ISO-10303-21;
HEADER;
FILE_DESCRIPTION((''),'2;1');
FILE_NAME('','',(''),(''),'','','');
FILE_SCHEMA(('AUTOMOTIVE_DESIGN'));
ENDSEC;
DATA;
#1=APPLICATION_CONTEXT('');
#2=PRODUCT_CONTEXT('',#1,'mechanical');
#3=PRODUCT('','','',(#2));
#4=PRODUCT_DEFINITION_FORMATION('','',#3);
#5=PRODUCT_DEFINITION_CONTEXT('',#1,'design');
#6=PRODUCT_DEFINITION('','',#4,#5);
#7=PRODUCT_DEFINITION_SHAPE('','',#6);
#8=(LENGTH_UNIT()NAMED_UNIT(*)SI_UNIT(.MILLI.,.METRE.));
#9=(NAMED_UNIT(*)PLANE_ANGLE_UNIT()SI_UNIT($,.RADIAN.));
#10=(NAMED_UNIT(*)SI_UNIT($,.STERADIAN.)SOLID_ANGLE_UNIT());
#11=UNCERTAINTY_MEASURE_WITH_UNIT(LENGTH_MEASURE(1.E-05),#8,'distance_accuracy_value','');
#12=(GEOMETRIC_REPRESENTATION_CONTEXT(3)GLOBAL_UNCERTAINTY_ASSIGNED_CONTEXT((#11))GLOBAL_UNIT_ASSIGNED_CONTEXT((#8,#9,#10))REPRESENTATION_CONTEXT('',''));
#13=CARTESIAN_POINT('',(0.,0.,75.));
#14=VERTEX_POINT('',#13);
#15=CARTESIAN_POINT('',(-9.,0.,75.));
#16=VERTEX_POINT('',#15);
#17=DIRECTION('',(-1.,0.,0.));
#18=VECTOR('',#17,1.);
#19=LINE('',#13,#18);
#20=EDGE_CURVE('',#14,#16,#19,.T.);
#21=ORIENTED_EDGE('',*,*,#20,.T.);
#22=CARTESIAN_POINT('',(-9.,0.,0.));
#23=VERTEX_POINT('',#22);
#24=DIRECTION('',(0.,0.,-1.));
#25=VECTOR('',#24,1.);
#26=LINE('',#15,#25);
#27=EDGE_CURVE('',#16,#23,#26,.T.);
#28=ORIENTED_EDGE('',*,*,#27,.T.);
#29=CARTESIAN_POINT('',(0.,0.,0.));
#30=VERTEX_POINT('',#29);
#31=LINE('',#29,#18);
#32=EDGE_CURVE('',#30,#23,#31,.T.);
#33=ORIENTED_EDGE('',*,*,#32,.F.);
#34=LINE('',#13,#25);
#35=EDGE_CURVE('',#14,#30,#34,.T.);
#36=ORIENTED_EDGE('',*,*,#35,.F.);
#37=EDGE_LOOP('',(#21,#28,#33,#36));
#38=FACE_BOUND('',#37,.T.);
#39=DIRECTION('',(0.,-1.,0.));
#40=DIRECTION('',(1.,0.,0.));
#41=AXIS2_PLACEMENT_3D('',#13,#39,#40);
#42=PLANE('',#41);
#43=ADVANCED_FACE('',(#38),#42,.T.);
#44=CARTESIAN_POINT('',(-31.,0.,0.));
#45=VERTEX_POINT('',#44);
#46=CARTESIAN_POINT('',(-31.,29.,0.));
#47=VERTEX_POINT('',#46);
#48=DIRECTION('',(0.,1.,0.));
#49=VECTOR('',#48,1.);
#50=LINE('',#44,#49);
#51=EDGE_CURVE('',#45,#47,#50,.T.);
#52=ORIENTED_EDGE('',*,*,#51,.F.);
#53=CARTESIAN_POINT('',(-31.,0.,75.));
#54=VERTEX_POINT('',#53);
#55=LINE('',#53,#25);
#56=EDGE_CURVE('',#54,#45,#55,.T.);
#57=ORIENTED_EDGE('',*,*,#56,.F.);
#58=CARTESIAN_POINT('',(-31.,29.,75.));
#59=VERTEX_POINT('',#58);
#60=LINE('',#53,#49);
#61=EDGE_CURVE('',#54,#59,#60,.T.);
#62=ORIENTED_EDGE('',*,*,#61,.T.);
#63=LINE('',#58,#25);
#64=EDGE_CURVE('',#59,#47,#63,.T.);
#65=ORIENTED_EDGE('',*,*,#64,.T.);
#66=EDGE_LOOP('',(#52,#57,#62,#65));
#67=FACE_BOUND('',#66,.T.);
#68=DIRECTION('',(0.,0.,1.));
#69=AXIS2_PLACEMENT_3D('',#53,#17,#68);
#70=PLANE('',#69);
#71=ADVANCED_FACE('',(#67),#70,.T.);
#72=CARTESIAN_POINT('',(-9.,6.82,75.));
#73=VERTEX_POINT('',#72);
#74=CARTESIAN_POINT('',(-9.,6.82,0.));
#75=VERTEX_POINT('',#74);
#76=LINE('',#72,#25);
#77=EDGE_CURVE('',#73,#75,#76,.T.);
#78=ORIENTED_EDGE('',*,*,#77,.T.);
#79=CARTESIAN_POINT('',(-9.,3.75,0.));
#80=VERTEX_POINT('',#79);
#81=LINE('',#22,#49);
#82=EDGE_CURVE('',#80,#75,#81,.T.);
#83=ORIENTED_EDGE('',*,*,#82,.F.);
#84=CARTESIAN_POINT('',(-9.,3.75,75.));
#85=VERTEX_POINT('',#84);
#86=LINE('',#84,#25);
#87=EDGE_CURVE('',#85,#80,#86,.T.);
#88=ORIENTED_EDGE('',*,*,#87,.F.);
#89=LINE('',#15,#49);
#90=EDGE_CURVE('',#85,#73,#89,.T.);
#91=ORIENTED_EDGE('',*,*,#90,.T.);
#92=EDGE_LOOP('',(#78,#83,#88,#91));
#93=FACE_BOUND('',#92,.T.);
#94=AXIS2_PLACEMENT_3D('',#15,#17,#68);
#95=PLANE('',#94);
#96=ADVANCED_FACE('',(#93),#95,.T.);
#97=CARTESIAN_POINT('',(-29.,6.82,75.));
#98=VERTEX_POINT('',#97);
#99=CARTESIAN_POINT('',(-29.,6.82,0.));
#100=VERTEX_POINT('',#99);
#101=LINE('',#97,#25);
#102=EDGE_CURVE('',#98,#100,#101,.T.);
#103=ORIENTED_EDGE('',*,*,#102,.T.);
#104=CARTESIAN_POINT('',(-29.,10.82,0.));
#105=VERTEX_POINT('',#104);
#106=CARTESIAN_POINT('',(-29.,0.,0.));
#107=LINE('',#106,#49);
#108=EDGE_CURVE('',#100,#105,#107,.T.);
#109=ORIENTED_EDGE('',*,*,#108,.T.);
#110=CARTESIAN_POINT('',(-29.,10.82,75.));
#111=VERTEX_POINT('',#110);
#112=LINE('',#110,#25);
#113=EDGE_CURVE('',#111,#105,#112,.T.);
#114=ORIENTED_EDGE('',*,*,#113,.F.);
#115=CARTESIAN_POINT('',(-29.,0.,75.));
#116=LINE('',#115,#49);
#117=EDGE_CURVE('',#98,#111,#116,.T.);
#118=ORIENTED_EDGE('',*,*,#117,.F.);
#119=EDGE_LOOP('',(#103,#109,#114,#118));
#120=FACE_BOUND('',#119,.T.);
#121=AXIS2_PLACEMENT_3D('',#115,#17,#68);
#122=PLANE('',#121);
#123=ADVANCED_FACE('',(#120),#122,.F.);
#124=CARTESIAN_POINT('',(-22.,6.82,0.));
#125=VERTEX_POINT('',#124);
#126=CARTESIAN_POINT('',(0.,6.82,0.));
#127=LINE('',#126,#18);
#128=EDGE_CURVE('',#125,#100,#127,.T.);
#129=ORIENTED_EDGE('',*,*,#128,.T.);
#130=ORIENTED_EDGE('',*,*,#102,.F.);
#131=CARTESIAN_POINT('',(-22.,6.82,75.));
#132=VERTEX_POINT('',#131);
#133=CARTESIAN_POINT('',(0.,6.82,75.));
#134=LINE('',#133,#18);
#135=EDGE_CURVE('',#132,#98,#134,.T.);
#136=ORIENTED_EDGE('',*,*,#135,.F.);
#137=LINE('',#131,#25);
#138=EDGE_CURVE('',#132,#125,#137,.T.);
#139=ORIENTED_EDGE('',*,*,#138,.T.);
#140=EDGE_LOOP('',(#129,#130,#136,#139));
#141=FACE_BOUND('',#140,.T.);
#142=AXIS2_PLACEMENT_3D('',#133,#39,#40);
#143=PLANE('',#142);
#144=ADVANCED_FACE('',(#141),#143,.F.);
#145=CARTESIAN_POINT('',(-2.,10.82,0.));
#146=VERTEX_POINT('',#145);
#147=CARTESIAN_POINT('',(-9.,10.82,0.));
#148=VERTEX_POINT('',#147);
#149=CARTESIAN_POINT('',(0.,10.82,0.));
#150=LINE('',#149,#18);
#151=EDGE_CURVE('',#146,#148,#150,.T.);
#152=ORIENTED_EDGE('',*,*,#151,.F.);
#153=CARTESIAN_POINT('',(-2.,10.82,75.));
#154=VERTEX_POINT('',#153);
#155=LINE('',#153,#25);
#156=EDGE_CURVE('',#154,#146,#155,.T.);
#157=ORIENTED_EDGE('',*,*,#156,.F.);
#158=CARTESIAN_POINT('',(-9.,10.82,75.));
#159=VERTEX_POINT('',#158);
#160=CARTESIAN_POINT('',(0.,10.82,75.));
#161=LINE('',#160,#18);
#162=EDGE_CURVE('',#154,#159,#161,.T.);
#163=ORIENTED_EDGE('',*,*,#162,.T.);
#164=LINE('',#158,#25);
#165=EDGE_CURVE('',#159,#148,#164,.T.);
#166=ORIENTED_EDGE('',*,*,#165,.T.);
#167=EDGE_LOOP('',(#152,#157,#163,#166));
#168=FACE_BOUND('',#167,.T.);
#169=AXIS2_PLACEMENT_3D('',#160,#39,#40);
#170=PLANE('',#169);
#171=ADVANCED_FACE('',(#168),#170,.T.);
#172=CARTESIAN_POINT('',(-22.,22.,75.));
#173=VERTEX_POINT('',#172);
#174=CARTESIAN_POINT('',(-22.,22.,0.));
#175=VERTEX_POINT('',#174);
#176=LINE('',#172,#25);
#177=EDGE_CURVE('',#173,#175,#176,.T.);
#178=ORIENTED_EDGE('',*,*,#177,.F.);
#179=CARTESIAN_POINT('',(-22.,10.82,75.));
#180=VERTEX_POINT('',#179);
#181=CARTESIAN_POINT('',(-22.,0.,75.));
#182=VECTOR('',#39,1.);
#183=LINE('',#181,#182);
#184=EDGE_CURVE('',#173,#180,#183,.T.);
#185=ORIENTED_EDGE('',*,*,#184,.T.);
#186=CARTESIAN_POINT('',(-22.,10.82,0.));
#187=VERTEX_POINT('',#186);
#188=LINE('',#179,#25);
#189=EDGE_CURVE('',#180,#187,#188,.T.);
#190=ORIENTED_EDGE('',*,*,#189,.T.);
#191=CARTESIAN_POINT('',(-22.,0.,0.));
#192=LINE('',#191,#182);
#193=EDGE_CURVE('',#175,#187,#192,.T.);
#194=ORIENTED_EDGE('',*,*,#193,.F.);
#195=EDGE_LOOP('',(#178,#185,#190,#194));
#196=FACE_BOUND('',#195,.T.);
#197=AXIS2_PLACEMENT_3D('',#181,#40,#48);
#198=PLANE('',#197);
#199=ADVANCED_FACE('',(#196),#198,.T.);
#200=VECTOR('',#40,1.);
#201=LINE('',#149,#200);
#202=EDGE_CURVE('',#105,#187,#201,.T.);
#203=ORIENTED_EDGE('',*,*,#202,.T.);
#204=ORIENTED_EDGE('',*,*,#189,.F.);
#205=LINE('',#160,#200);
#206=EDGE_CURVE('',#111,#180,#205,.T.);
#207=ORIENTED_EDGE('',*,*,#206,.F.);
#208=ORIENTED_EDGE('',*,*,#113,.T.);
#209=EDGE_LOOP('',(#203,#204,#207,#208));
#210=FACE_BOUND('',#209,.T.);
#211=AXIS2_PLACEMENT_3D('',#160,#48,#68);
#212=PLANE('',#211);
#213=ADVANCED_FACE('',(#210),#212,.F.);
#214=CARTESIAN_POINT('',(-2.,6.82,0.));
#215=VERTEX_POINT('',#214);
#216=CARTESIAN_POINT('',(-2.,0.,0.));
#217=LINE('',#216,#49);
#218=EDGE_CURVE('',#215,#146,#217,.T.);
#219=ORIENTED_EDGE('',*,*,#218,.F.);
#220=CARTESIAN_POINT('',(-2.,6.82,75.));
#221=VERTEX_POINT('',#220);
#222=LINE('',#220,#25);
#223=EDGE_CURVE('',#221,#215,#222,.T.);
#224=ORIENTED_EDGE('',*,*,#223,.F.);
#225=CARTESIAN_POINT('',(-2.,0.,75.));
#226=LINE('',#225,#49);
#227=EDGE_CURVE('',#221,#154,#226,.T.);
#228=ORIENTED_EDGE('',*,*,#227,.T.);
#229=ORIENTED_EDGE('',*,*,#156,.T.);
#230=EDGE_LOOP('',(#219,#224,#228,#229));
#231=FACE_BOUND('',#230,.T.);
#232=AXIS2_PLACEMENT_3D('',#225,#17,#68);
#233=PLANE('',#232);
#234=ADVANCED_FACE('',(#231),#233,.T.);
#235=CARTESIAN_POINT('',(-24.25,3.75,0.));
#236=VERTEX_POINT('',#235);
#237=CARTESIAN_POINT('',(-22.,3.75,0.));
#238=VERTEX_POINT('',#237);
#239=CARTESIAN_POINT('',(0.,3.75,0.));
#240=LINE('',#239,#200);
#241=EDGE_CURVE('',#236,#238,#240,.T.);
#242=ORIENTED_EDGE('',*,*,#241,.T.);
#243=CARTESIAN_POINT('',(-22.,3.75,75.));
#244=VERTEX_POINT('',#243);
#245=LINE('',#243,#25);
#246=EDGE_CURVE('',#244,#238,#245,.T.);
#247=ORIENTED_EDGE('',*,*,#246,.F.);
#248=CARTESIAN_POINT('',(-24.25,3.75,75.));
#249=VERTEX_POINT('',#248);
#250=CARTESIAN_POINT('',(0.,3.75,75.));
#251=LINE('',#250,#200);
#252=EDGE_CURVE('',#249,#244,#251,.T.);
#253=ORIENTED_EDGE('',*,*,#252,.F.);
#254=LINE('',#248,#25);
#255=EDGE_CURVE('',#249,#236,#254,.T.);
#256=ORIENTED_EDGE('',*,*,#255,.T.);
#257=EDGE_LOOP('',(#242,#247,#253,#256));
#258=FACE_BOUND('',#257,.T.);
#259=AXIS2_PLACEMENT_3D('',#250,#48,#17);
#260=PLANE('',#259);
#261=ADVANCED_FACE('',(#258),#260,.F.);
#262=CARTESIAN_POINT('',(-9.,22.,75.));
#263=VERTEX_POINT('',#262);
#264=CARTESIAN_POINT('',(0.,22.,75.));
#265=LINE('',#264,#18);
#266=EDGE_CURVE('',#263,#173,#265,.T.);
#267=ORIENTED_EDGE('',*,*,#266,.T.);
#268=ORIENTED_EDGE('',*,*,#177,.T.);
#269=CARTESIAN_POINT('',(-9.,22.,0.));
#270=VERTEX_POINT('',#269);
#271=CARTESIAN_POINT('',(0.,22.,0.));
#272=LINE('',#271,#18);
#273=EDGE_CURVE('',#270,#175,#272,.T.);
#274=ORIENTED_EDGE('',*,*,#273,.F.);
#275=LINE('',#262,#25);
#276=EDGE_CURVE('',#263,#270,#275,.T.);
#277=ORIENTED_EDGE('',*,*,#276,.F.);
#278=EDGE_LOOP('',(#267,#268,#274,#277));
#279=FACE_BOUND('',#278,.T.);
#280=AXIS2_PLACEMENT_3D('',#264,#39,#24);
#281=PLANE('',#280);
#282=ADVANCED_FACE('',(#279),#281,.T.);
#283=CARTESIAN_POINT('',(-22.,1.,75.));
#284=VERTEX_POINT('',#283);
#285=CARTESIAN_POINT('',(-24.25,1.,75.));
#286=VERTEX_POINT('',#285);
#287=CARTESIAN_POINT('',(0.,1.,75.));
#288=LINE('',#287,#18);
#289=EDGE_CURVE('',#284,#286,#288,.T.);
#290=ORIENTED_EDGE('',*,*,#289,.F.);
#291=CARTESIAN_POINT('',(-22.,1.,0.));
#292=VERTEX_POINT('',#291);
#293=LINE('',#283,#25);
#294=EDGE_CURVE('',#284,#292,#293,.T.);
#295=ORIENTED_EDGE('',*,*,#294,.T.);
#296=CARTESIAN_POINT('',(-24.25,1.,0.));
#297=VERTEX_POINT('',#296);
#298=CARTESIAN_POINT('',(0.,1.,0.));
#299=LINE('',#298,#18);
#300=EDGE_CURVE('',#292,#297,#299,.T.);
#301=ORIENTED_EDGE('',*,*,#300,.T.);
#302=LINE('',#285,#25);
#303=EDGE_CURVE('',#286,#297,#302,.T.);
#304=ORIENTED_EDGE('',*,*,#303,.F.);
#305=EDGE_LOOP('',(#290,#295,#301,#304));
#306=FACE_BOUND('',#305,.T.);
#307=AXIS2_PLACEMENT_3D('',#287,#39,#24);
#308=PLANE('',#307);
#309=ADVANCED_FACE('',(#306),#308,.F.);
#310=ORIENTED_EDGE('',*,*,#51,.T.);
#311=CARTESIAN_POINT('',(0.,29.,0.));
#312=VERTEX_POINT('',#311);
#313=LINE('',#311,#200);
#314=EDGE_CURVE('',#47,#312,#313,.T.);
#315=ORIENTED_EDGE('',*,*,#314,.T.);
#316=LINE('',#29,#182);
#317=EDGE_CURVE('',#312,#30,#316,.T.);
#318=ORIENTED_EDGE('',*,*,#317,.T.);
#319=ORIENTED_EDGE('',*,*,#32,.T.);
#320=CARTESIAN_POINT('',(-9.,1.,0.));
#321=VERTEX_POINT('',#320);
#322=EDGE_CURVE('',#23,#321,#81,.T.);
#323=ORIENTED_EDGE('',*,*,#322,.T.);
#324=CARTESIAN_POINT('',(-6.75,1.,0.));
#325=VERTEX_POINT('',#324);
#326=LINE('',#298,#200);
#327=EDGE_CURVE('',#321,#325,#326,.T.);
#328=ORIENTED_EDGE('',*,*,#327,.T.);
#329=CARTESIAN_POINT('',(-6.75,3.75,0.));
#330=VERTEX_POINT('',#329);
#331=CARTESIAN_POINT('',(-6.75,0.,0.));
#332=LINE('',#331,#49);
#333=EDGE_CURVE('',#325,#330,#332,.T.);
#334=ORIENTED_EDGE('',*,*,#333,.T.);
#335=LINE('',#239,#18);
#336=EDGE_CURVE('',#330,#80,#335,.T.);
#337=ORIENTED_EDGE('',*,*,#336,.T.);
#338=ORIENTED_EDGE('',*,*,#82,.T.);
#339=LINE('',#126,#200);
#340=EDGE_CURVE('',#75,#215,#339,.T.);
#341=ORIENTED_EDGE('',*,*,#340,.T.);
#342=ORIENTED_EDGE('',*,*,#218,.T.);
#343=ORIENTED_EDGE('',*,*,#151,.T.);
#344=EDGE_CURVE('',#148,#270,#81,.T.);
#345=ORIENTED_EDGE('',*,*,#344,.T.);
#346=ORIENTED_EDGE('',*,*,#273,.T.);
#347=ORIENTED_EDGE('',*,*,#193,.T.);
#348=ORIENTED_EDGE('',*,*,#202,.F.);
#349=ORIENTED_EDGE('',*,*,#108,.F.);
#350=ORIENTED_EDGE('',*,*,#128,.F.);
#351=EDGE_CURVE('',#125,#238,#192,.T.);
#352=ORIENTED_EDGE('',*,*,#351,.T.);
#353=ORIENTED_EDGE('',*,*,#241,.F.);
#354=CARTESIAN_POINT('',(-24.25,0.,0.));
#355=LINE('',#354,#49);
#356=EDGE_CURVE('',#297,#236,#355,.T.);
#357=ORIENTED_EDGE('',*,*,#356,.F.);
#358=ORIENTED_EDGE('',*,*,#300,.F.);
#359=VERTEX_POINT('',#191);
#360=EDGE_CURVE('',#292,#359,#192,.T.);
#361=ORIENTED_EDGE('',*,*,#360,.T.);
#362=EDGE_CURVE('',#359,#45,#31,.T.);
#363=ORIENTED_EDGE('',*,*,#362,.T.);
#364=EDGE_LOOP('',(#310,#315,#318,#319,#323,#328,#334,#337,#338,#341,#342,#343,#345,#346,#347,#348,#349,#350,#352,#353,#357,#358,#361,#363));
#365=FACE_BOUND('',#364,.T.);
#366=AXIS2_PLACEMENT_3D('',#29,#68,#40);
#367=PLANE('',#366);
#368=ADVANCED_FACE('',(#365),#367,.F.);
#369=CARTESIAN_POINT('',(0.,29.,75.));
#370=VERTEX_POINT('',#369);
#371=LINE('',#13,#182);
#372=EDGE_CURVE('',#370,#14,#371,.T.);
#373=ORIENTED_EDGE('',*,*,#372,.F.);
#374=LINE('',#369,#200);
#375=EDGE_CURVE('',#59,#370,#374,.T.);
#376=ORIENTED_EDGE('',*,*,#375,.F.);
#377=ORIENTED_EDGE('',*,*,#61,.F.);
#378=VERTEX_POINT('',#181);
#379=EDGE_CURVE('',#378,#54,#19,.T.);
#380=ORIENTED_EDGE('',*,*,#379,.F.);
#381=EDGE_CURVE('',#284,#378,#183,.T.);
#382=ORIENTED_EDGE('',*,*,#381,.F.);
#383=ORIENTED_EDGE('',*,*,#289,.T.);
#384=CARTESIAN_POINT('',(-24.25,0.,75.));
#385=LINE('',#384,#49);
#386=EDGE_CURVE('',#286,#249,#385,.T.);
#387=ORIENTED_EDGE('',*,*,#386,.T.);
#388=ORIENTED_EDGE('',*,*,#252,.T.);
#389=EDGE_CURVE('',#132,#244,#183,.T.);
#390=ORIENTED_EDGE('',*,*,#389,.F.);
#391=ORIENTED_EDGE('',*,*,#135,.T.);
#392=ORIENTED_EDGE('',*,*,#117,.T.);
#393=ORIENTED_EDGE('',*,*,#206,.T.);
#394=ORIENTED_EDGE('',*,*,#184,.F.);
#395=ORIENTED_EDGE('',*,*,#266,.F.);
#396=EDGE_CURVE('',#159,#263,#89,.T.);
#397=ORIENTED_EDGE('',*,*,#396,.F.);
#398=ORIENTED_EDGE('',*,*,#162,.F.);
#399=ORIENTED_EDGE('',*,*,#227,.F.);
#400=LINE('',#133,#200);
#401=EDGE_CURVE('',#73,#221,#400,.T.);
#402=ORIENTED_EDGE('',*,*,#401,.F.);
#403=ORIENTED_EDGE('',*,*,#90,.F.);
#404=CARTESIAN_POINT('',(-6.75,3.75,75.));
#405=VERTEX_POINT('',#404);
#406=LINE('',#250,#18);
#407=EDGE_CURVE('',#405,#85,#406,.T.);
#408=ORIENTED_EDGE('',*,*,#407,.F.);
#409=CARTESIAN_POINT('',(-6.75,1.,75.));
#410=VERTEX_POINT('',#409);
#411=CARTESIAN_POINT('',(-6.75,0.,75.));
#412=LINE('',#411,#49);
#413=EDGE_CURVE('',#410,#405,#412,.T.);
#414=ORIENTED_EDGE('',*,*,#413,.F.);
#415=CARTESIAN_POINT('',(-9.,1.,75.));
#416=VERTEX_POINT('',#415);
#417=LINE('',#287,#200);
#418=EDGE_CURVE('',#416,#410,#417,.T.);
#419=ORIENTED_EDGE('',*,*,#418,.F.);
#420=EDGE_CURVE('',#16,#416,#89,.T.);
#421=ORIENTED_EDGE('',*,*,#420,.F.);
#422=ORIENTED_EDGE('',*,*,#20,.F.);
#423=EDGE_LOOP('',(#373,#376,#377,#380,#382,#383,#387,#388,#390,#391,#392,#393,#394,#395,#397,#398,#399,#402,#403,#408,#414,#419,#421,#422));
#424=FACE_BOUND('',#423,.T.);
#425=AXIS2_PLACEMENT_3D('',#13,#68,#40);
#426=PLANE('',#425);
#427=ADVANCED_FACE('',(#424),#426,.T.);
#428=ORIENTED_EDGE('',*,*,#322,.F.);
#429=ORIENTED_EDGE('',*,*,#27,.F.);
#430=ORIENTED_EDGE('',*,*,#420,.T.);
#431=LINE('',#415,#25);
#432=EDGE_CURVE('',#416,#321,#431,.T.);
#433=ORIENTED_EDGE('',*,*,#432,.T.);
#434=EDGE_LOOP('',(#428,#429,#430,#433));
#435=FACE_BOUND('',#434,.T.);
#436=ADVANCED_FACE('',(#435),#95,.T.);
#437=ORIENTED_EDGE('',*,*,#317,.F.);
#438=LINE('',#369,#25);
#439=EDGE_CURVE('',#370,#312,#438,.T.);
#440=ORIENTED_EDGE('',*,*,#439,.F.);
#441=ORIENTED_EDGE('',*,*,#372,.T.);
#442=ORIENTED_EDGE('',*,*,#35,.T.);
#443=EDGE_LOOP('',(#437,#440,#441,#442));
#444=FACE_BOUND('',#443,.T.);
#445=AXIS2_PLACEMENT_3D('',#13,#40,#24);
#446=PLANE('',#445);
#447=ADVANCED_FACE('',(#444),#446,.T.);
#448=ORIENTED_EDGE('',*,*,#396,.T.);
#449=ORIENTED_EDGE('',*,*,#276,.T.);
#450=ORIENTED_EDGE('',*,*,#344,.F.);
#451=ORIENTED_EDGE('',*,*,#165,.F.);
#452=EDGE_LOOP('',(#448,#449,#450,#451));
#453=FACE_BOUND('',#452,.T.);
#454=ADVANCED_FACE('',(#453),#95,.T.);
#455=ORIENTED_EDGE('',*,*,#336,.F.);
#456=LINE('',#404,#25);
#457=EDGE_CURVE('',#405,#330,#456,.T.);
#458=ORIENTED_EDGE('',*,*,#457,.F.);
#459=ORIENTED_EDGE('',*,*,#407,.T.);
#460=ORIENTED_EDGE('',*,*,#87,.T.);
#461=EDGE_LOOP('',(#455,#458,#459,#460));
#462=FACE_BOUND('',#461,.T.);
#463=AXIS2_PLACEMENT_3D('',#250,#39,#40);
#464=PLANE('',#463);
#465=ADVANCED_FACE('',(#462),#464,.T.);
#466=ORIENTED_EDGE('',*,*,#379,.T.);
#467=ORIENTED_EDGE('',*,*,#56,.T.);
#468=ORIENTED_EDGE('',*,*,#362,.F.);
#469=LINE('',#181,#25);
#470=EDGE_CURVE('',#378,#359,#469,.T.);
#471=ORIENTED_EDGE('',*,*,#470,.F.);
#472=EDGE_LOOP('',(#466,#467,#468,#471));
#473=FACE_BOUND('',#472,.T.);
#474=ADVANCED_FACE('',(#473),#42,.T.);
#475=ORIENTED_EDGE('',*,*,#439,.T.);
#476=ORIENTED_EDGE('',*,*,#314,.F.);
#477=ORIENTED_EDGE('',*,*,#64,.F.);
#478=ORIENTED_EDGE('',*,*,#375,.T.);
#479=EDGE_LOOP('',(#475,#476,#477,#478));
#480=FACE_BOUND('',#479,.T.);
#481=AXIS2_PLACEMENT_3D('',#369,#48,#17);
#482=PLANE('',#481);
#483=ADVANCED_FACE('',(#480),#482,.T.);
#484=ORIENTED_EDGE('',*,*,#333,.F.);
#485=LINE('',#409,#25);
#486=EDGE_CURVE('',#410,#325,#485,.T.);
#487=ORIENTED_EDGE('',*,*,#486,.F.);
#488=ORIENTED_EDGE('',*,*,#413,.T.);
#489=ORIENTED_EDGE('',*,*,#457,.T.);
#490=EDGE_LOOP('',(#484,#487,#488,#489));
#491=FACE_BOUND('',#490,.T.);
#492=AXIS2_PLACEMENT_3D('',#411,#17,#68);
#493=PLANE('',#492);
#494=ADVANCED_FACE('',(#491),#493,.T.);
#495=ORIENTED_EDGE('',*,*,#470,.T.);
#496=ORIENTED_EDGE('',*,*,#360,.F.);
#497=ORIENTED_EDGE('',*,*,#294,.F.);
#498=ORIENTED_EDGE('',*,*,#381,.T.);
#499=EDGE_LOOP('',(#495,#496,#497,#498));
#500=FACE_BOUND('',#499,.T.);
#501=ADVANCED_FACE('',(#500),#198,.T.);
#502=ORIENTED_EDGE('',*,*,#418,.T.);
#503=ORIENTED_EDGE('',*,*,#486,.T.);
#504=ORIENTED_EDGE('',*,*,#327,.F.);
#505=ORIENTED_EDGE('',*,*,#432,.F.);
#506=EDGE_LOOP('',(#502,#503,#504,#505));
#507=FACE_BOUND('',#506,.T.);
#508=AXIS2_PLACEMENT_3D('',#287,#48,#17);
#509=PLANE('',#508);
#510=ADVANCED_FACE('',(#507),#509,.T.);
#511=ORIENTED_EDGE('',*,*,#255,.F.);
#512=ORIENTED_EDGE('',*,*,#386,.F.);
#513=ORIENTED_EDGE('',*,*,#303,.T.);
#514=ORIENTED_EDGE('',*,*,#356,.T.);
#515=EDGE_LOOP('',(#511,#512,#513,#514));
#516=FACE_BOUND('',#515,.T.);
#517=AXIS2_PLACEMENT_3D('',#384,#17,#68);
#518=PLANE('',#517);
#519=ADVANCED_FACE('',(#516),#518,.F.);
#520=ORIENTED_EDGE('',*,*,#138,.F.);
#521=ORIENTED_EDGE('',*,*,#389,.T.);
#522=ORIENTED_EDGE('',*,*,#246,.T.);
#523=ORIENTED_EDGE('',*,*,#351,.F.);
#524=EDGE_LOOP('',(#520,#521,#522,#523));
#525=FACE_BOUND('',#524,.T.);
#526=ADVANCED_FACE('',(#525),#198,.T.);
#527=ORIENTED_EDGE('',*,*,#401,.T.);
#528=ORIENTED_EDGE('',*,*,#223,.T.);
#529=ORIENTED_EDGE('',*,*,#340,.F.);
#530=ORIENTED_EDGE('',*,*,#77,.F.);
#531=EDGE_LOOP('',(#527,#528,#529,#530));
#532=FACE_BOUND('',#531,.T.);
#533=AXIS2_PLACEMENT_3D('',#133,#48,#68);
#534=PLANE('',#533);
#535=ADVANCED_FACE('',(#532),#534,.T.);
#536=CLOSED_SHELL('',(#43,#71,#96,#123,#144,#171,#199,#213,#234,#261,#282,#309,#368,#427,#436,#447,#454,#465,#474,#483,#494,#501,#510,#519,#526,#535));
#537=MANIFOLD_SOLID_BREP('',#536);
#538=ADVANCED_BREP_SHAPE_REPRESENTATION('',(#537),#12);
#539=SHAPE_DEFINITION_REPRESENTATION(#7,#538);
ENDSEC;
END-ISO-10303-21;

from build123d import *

# Parameters (mm, degrees)
BOSS_EXTRUDE2_DEPTH = 75


with BuildPart() as part:
    # Sketch1 → Boss-Extrude2 (new body)
    with BuildSketch(Plane.XY):
        Polygon((-31, 29), (-31, 0), (-22, 0), (-22, 1), (-24.25, 1), (-24.25, 3.75), (-22, 3.75), (-22, 6.82), (-29, 6.82), (-29, 10.82), (-22, 10.82), (-22, 22), (-9, 22), (-9, 10.82), (-2, 10.82), (-2, 6.82), (-9, 6.82), (-9, 3.75), (-6.75, 3.75), (-6.75, 1), (-9, 1), (-9, 0), (0, 0), (0, 29), align=None)
    extrude(amount=BOSS_EXTRUDE2_DEPTH)


solid = part.part
